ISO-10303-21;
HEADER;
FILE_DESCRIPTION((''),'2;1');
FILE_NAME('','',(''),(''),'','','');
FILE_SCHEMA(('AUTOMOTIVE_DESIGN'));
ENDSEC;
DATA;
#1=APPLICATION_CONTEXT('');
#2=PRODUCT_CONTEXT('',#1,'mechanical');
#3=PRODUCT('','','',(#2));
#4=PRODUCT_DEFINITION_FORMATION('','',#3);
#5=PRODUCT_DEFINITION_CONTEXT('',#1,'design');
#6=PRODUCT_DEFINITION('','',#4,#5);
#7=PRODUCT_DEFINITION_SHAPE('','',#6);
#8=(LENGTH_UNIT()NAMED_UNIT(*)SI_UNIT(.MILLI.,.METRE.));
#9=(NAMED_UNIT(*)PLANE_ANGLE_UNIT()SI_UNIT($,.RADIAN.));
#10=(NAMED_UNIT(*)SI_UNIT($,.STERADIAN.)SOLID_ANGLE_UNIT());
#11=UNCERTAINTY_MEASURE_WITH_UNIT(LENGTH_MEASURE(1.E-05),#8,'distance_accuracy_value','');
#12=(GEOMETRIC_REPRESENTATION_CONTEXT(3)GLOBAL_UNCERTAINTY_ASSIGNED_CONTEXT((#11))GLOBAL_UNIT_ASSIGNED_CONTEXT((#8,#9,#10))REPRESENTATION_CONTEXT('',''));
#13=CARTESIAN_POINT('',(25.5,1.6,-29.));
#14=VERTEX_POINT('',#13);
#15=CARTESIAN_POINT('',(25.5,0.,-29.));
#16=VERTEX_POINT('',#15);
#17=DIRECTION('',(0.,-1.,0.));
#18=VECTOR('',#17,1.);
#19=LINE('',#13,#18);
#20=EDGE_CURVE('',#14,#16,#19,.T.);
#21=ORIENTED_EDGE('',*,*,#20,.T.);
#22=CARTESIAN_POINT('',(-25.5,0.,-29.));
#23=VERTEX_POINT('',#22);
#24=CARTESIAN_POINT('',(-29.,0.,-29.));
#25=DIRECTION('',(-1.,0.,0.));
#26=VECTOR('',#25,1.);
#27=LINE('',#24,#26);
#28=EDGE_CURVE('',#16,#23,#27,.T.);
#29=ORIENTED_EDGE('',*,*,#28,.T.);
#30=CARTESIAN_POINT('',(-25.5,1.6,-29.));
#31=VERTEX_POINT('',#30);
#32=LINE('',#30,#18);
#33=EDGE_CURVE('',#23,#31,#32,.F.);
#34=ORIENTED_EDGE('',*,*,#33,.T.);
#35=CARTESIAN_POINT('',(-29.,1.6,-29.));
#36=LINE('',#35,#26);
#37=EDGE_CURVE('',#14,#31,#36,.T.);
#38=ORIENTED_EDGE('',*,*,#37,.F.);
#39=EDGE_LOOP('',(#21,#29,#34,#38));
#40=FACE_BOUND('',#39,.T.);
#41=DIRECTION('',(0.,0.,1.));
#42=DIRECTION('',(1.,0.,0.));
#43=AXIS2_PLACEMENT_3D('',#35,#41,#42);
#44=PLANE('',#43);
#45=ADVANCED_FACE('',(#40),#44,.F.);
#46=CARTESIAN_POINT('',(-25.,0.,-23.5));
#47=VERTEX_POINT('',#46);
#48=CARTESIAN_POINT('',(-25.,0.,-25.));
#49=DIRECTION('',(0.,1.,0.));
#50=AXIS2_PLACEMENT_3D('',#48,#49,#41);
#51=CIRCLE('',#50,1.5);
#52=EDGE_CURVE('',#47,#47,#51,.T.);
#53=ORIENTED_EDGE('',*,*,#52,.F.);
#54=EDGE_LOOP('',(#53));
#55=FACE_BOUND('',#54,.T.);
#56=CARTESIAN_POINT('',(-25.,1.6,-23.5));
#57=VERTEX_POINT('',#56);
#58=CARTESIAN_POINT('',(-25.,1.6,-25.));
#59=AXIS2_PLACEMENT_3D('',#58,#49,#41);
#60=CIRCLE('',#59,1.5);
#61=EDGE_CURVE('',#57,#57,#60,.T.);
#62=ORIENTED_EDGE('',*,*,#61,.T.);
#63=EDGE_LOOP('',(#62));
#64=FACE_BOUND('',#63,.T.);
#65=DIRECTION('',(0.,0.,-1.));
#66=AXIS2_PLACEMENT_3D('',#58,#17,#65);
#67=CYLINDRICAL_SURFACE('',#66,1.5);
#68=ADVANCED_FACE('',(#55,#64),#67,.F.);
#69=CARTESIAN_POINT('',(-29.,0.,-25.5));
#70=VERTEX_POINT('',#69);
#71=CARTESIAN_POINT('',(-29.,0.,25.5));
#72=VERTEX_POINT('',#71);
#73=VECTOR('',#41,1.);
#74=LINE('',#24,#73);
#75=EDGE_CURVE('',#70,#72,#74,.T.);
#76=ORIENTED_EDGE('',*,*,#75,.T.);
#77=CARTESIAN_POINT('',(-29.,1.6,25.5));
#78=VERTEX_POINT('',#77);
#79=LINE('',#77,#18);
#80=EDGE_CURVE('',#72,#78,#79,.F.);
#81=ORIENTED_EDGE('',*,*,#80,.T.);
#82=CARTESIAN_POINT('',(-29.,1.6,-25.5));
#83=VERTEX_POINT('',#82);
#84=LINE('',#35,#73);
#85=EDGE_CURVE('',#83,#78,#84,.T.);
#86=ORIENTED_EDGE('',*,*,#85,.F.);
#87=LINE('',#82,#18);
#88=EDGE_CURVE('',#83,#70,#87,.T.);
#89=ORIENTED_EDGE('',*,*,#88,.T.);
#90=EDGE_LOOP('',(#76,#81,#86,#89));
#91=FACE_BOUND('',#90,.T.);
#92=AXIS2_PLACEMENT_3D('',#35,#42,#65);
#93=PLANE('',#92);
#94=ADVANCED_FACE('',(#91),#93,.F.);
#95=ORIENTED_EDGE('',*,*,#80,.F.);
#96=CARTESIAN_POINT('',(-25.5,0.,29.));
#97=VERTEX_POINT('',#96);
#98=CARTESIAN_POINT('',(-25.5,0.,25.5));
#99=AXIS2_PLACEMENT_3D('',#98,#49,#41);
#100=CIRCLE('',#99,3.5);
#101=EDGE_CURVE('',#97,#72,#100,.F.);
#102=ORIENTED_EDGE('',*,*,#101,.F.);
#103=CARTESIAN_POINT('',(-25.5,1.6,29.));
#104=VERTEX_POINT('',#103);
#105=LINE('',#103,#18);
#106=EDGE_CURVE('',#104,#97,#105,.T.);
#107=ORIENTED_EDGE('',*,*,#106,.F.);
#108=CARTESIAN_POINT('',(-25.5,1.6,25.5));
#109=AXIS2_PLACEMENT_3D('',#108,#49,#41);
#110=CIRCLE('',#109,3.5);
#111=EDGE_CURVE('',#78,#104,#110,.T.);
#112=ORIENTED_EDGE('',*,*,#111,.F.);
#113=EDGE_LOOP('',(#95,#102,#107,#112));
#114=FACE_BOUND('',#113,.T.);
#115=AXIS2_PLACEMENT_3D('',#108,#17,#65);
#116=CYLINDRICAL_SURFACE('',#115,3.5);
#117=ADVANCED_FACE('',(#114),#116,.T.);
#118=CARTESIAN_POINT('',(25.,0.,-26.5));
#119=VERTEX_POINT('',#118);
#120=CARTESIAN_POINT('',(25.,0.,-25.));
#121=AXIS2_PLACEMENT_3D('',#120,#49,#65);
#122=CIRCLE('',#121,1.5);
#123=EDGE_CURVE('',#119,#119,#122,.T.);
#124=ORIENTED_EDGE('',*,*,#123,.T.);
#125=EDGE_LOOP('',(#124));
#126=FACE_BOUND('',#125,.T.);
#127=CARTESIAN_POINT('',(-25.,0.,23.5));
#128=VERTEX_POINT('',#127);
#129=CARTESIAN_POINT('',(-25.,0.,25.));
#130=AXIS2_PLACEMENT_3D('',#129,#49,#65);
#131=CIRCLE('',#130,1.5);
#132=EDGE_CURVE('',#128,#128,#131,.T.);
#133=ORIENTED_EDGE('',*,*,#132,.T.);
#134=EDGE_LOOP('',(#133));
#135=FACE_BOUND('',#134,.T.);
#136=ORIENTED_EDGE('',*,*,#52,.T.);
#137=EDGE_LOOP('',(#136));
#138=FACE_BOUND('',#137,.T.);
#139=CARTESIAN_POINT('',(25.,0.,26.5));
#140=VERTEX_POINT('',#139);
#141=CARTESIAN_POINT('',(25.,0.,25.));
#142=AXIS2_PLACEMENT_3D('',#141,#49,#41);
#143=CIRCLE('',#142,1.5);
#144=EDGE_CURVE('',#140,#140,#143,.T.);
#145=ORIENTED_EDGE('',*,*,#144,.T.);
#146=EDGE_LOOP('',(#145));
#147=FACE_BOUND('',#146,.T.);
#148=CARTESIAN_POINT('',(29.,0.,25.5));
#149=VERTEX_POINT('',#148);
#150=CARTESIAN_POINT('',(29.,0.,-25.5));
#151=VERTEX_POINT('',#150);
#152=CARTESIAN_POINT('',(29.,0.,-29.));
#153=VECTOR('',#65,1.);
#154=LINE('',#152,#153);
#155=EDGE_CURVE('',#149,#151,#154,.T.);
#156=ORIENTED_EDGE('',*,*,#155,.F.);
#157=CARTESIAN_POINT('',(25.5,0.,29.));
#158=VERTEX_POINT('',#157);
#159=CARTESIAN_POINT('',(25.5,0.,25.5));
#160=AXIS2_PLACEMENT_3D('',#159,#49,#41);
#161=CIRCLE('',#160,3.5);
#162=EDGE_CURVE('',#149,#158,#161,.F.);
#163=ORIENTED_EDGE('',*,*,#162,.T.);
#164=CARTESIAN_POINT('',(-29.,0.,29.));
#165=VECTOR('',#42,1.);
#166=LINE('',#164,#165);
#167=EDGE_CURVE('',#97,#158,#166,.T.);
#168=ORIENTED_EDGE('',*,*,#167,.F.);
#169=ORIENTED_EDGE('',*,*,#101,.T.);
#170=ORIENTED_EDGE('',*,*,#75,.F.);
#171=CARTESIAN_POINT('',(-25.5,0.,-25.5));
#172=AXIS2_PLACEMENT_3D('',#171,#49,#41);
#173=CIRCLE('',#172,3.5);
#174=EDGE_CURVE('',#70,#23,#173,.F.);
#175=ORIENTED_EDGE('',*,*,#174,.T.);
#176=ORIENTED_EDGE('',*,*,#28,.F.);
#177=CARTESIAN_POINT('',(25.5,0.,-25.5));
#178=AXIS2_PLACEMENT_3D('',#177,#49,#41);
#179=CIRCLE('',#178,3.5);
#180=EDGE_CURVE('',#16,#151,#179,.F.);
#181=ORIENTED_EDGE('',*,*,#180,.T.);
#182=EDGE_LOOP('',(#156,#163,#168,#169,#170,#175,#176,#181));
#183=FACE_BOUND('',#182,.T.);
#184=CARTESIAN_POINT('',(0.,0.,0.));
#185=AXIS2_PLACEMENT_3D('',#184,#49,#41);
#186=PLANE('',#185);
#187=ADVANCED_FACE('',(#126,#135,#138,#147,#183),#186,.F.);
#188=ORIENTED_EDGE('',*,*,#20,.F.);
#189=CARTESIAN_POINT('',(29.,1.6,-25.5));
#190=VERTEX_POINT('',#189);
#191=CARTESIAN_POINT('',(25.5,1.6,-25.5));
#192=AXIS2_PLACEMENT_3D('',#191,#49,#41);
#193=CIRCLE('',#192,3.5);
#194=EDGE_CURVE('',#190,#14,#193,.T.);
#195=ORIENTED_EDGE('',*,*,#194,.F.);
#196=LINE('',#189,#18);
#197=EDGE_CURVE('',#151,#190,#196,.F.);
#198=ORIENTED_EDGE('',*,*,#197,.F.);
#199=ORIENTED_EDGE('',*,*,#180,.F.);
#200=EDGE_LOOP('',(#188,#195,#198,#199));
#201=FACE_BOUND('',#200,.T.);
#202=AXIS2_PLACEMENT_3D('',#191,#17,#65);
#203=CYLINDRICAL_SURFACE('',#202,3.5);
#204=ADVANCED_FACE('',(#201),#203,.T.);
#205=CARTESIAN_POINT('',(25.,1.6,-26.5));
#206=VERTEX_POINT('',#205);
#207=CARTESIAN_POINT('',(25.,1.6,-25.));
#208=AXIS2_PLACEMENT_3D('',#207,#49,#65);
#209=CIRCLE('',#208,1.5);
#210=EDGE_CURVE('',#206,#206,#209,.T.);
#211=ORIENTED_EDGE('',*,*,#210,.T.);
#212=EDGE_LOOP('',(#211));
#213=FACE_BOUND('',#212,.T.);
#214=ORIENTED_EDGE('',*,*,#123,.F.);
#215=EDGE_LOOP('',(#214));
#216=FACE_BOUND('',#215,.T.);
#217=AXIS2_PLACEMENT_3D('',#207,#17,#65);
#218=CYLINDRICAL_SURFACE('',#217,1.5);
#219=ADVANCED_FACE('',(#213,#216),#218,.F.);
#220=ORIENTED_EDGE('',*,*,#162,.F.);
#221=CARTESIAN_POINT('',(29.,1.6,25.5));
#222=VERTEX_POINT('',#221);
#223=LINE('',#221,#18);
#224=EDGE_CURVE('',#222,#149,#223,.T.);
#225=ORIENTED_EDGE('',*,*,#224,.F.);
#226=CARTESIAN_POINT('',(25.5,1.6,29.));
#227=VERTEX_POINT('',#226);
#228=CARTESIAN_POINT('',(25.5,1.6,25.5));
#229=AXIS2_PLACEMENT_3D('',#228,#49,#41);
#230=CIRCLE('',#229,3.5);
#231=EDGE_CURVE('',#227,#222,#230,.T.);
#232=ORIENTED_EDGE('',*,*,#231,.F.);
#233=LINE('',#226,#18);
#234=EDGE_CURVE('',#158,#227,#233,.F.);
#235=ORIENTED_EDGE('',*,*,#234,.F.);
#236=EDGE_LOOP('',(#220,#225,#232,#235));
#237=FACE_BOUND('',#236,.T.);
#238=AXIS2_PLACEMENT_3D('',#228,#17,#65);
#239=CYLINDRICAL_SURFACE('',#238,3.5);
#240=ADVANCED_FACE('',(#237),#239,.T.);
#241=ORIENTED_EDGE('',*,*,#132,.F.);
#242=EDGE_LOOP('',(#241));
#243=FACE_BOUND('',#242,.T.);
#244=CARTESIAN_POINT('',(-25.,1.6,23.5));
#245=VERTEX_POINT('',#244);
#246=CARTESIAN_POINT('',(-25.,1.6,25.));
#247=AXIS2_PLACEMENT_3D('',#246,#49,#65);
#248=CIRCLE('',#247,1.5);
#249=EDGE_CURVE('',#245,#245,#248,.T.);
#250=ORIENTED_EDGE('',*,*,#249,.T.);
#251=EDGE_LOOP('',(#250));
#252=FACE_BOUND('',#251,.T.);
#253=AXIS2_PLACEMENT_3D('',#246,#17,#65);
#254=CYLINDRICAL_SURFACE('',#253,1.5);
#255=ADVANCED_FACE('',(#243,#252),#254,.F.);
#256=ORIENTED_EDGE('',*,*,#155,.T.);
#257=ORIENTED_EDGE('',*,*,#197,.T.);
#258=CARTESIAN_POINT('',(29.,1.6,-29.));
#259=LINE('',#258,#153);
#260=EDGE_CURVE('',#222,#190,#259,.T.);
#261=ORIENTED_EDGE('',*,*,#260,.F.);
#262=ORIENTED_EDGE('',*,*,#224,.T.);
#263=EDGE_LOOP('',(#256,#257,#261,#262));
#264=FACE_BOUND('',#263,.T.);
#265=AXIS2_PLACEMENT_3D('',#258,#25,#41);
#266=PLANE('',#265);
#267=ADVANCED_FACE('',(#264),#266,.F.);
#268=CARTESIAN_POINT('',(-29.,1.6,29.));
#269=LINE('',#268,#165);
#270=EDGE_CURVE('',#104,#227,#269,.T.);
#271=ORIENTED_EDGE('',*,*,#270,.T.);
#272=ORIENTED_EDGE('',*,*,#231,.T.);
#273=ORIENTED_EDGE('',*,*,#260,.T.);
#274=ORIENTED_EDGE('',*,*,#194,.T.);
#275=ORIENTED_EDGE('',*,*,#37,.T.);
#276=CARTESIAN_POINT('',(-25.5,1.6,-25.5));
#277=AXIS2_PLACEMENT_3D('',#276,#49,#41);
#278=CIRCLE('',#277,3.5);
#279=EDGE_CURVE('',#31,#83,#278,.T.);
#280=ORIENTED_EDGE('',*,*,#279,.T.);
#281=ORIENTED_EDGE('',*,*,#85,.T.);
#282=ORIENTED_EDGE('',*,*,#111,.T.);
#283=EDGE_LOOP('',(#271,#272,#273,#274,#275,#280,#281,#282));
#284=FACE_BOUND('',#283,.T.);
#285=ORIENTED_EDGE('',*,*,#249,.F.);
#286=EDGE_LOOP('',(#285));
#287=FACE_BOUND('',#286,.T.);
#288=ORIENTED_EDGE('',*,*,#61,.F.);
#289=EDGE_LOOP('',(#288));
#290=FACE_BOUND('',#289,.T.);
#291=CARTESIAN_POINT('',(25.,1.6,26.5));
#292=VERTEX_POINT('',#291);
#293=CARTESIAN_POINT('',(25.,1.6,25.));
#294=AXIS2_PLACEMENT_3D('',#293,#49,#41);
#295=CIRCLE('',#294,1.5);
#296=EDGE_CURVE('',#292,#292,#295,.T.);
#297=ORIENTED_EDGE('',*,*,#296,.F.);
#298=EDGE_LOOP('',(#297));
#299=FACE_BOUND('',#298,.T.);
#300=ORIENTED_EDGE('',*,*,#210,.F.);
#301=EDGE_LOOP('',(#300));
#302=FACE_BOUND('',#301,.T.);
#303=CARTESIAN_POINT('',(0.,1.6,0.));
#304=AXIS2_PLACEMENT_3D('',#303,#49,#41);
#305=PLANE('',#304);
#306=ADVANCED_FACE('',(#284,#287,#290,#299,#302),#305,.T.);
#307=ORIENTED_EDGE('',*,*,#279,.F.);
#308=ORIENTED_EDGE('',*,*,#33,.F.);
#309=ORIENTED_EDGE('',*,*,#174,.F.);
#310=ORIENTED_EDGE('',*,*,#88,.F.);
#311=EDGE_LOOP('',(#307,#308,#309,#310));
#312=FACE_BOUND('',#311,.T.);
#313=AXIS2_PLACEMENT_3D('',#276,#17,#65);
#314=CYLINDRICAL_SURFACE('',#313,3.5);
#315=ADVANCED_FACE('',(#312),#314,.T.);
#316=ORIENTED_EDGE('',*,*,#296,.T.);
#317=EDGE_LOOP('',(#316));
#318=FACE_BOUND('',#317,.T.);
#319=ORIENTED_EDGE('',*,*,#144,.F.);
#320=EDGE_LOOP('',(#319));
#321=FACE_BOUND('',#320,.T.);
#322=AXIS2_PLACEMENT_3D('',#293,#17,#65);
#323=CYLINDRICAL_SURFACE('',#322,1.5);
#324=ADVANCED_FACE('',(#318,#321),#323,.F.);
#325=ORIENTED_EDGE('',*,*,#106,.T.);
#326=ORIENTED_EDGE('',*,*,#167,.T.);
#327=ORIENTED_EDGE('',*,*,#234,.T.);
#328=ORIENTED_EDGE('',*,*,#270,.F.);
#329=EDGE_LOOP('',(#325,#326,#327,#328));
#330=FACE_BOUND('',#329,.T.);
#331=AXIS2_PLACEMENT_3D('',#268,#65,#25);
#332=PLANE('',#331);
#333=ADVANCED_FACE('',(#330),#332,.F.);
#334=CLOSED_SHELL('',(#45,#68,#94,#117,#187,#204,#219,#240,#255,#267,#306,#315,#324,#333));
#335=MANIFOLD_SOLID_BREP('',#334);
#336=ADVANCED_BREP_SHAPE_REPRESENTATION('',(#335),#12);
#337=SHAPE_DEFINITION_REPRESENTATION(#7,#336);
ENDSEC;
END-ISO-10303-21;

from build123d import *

# Parameters (mm, degrees)
SKETCH2_W           = 58
SKETCH2_H           = 58
SKETCH2_R           = 1.5
BOSS_EXTRUDE1_DEPTH = 1.6
FILLET1_R           = 3.5


with BuildPart() as part:
    # Sketch2 → Boss-Extrude1 (new body)
    with BuildSketch(Plane(origin=(0, 0, 0), x_dir=(1, 0, 0), z_dir=(0, 1, 0))):
        Rectangle(SKETCH2_W, SKETCH2_H)
        with Locations(Location((-25, 25, 0), (0, 0, 270))):
            Circle(SKETCH2_R, mode=Mode.SUBTRACT)
        with Locations(Location((25, 25, 0), (0, 0, 90))):
            Circle(SKETCH2_R, mode=Mode.SUBTRACT)
        with Locations(Location((25, -25, 0), (0, 0, 270))):
            Circle(SKETCH2_R, mode=Mode.SUBTRACT)
        with Locations(Location((-25, -25, 0), (0, 0, 90))):
            Circle(SKETCH2_R, mode=Mode.SUBTRACT)
    extrude(amount=BOSS_EXTRUDE1_DEPTH)

    # Fillet1
    fillet1_edges = [part.edges().sort_by_distance(p)[0] for p in [
        (-29, 0.8, -29),
        (29, 0.8, -29),
        (29, 0.8, 29),
        (-29, 0.8, 29),
    ]]
    fillet(fillet1_edges, radius=FILLET1_R)


solid = part.part
